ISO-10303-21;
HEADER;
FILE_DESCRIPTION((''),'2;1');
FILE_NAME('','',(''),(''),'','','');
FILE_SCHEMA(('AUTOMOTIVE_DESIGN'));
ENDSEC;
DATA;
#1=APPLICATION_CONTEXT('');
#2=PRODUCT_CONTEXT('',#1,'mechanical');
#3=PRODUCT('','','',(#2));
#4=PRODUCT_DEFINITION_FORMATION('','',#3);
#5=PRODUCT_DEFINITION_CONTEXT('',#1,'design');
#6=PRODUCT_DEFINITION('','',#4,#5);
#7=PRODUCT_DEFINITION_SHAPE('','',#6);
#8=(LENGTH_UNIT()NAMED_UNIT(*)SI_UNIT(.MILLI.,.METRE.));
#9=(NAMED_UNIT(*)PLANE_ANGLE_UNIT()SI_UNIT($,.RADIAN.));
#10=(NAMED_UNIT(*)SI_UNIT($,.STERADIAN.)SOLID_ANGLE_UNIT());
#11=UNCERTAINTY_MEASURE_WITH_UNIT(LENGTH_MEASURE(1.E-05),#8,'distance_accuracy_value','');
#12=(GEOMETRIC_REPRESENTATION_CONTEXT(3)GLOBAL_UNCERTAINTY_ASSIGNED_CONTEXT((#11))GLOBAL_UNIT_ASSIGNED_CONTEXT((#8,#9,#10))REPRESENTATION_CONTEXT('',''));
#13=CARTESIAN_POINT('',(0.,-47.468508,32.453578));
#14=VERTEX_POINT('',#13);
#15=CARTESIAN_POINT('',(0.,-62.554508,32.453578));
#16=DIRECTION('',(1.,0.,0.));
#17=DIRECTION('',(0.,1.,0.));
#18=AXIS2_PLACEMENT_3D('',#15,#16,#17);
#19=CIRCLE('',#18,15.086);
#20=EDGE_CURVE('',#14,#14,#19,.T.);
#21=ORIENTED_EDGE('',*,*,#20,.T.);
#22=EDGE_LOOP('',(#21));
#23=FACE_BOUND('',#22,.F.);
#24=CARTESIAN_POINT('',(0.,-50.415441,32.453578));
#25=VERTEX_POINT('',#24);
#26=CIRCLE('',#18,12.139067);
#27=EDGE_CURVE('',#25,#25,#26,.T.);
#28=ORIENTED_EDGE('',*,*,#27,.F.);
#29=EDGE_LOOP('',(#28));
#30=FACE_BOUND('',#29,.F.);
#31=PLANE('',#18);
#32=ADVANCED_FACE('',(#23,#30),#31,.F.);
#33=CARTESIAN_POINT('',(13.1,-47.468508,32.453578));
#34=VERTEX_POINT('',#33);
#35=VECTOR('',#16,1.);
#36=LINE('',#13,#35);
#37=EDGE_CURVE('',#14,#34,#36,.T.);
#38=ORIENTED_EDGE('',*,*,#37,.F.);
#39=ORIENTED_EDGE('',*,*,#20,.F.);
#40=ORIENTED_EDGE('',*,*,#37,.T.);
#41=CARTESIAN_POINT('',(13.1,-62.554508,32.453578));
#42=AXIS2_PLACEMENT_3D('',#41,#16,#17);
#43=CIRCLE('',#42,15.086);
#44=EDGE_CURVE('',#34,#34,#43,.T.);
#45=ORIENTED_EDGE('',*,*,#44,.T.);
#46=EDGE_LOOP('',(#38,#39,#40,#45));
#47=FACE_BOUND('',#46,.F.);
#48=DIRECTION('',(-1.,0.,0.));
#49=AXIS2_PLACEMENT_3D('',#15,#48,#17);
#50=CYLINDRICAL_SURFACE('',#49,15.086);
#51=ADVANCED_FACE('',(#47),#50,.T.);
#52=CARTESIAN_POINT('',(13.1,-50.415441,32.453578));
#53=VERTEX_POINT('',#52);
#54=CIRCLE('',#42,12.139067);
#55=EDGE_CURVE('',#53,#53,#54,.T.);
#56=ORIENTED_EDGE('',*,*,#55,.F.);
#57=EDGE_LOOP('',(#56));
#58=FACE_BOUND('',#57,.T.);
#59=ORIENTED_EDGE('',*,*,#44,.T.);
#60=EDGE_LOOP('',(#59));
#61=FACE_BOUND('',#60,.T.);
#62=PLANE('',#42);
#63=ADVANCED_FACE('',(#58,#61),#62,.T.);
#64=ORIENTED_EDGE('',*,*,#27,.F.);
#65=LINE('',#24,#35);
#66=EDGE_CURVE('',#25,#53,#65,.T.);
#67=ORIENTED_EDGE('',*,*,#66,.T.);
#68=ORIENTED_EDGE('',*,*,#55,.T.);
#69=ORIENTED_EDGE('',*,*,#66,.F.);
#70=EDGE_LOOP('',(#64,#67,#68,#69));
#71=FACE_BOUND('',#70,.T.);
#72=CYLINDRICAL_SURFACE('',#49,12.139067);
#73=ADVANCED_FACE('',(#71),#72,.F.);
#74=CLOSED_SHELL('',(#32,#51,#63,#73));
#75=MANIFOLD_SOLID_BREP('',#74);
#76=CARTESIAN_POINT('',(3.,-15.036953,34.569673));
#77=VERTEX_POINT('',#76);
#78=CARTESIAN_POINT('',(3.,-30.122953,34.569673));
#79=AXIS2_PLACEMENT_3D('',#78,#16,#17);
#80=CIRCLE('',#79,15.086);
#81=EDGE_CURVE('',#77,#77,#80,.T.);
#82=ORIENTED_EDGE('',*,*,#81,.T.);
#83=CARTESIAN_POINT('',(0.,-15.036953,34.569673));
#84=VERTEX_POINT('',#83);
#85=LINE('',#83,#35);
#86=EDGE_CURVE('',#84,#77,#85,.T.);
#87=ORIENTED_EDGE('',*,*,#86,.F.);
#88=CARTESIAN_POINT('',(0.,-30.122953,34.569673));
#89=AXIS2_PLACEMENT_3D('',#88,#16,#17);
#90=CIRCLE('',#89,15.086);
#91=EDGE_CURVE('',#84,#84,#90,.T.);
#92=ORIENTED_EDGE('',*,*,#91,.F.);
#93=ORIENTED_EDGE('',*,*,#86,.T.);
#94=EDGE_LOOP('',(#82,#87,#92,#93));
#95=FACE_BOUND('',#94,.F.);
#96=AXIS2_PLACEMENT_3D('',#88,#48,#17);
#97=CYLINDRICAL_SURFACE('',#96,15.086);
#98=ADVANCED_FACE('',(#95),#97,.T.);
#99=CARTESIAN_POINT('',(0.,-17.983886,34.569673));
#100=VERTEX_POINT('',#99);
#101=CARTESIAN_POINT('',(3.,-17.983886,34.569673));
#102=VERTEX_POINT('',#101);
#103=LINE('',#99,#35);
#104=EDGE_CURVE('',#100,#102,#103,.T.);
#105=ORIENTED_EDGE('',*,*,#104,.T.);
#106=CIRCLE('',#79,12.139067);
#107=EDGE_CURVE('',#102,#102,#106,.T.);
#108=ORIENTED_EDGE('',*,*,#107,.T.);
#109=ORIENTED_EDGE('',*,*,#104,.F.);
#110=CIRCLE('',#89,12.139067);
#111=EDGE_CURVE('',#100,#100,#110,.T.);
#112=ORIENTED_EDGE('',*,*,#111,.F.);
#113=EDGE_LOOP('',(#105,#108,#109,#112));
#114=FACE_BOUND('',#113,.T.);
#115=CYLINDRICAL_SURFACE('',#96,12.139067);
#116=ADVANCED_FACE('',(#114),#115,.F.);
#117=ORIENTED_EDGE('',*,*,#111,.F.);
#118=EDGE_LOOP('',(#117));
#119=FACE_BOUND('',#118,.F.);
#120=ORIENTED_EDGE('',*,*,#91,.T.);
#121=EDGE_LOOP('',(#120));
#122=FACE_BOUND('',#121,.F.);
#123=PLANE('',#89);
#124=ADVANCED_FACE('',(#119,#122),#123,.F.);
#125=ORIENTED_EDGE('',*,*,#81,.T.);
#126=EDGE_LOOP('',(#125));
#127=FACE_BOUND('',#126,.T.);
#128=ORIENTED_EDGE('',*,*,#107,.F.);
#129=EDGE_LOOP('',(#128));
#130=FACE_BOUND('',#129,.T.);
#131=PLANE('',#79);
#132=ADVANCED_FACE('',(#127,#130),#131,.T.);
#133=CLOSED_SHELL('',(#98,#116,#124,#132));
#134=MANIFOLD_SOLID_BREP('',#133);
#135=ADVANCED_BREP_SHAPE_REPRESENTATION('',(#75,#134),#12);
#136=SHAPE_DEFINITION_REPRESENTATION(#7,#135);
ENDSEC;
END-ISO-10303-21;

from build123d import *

# Parameters (mm, degrees)
F0_R     = 15.086
F0_R_2   = 12.139067
F1_DEPTH = 3
F2_R     = 15.086
F2_R_2   = 12.139067
F3_DEPTH = 13.1


with BuildPart() as f1:
    # F0 (on Right) → F1 (new body)
    with BuildSketch(Plane.YZ):
        with Locations((-30.122953, 34.569673)):
            Circle(F0_R)
        with Locations((-30.122953, 34.569673)):
            Circle(F0_R_2, mode=Mode.SUBTRACT)
    extrude(amount=F1_DEPTH)


with BuildPart() as f3:
    # F2 (on Right) → F3 (new body)
    with BuildSketch(Plane.YZ):
        with Locations((-62.554508, 32.453578)):
            Circle(F2_R)
        with Locations((-62.554508, 32.453578)):
            Circle(F2_R_2, mode=Mode.SUBTRACT)
    extrude(amount=F3_DEPTH)


solid = Compound([f1.part, f3.part])
